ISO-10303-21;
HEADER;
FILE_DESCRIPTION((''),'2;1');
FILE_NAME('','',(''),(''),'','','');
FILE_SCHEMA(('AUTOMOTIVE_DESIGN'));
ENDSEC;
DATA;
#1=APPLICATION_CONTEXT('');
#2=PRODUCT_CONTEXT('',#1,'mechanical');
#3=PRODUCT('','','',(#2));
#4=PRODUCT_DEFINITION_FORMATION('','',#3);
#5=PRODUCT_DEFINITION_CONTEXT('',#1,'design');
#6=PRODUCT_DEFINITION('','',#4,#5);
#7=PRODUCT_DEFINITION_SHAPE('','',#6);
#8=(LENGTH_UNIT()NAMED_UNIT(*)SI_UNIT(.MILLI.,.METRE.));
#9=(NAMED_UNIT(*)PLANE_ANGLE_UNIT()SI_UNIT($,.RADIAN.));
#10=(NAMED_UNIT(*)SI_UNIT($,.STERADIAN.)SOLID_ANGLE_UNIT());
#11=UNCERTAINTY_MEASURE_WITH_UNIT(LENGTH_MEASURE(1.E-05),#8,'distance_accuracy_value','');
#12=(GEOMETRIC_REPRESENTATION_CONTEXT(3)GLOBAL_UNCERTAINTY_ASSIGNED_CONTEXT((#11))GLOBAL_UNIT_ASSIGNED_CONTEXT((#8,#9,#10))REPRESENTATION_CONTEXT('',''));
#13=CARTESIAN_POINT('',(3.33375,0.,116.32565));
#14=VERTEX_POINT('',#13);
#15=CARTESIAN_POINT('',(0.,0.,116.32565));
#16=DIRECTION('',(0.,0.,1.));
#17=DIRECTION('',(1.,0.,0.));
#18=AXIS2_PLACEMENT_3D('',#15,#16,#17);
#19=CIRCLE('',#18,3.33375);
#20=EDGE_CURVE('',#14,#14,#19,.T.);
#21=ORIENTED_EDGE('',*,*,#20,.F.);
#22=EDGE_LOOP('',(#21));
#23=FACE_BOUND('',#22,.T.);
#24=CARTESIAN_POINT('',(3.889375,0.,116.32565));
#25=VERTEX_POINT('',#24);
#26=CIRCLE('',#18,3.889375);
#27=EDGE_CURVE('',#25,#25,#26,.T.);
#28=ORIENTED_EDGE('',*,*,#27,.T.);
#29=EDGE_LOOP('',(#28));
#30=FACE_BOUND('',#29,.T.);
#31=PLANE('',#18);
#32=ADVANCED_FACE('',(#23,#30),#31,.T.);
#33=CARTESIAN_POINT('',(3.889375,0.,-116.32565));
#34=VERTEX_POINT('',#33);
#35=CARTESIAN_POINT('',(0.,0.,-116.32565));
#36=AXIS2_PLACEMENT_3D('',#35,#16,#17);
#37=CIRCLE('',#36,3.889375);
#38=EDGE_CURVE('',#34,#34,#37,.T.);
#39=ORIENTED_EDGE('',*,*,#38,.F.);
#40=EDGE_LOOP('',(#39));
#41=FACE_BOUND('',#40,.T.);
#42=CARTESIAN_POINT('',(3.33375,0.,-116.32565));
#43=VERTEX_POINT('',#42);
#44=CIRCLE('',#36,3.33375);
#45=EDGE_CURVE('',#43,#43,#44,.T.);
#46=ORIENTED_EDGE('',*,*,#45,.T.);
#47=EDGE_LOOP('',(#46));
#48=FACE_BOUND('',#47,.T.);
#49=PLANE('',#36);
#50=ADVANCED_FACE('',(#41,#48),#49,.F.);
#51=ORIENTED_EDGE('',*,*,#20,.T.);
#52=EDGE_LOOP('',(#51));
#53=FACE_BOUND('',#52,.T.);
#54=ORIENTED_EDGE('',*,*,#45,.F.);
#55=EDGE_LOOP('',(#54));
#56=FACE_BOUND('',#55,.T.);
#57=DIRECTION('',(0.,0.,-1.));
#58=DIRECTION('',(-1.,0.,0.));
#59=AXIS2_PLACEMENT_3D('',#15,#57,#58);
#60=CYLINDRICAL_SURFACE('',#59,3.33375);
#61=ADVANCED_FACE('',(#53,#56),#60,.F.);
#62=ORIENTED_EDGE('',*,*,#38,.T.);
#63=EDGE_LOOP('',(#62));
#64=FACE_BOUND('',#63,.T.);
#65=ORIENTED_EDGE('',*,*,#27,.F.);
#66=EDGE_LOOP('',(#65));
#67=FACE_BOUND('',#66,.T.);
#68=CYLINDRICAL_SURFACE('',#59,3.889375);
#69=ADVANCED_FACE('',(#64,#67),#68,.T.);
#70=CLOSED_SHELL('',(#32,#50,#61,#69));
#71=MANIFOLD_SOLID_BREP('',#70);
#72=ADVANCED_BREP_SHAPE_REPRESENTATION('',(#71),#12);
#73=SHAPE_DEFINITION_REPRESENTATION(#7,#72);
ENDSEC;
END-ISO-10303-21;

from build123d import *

# Parameters (mm, degrees)
SKETCH1_R           = 11.1125
SKETCH1_R_2         = 9.525
BOSS_EXTRUDE1_DEPTH = 332.359
SCALE1_SCALE        = 0.35


with BuildPart() as part:
    # Sketch1 → Boss-Extrude1 (new body, symmetric)
    with BuildSketch(Plane.XY):
        Circle(SKETCH1_R)
        Circle(SKETCH1_R_2, mode=Mode.SUBTRACT)
    extrude(amount=BOSS_EXTRUDE1_DEPTH, both=True)


with BuildPart() as part_1:
    # Scale1: scaled about (0, 0, 0)
    add(part.part.scale(SCALE1_SCALE))


solid = part_1.part
